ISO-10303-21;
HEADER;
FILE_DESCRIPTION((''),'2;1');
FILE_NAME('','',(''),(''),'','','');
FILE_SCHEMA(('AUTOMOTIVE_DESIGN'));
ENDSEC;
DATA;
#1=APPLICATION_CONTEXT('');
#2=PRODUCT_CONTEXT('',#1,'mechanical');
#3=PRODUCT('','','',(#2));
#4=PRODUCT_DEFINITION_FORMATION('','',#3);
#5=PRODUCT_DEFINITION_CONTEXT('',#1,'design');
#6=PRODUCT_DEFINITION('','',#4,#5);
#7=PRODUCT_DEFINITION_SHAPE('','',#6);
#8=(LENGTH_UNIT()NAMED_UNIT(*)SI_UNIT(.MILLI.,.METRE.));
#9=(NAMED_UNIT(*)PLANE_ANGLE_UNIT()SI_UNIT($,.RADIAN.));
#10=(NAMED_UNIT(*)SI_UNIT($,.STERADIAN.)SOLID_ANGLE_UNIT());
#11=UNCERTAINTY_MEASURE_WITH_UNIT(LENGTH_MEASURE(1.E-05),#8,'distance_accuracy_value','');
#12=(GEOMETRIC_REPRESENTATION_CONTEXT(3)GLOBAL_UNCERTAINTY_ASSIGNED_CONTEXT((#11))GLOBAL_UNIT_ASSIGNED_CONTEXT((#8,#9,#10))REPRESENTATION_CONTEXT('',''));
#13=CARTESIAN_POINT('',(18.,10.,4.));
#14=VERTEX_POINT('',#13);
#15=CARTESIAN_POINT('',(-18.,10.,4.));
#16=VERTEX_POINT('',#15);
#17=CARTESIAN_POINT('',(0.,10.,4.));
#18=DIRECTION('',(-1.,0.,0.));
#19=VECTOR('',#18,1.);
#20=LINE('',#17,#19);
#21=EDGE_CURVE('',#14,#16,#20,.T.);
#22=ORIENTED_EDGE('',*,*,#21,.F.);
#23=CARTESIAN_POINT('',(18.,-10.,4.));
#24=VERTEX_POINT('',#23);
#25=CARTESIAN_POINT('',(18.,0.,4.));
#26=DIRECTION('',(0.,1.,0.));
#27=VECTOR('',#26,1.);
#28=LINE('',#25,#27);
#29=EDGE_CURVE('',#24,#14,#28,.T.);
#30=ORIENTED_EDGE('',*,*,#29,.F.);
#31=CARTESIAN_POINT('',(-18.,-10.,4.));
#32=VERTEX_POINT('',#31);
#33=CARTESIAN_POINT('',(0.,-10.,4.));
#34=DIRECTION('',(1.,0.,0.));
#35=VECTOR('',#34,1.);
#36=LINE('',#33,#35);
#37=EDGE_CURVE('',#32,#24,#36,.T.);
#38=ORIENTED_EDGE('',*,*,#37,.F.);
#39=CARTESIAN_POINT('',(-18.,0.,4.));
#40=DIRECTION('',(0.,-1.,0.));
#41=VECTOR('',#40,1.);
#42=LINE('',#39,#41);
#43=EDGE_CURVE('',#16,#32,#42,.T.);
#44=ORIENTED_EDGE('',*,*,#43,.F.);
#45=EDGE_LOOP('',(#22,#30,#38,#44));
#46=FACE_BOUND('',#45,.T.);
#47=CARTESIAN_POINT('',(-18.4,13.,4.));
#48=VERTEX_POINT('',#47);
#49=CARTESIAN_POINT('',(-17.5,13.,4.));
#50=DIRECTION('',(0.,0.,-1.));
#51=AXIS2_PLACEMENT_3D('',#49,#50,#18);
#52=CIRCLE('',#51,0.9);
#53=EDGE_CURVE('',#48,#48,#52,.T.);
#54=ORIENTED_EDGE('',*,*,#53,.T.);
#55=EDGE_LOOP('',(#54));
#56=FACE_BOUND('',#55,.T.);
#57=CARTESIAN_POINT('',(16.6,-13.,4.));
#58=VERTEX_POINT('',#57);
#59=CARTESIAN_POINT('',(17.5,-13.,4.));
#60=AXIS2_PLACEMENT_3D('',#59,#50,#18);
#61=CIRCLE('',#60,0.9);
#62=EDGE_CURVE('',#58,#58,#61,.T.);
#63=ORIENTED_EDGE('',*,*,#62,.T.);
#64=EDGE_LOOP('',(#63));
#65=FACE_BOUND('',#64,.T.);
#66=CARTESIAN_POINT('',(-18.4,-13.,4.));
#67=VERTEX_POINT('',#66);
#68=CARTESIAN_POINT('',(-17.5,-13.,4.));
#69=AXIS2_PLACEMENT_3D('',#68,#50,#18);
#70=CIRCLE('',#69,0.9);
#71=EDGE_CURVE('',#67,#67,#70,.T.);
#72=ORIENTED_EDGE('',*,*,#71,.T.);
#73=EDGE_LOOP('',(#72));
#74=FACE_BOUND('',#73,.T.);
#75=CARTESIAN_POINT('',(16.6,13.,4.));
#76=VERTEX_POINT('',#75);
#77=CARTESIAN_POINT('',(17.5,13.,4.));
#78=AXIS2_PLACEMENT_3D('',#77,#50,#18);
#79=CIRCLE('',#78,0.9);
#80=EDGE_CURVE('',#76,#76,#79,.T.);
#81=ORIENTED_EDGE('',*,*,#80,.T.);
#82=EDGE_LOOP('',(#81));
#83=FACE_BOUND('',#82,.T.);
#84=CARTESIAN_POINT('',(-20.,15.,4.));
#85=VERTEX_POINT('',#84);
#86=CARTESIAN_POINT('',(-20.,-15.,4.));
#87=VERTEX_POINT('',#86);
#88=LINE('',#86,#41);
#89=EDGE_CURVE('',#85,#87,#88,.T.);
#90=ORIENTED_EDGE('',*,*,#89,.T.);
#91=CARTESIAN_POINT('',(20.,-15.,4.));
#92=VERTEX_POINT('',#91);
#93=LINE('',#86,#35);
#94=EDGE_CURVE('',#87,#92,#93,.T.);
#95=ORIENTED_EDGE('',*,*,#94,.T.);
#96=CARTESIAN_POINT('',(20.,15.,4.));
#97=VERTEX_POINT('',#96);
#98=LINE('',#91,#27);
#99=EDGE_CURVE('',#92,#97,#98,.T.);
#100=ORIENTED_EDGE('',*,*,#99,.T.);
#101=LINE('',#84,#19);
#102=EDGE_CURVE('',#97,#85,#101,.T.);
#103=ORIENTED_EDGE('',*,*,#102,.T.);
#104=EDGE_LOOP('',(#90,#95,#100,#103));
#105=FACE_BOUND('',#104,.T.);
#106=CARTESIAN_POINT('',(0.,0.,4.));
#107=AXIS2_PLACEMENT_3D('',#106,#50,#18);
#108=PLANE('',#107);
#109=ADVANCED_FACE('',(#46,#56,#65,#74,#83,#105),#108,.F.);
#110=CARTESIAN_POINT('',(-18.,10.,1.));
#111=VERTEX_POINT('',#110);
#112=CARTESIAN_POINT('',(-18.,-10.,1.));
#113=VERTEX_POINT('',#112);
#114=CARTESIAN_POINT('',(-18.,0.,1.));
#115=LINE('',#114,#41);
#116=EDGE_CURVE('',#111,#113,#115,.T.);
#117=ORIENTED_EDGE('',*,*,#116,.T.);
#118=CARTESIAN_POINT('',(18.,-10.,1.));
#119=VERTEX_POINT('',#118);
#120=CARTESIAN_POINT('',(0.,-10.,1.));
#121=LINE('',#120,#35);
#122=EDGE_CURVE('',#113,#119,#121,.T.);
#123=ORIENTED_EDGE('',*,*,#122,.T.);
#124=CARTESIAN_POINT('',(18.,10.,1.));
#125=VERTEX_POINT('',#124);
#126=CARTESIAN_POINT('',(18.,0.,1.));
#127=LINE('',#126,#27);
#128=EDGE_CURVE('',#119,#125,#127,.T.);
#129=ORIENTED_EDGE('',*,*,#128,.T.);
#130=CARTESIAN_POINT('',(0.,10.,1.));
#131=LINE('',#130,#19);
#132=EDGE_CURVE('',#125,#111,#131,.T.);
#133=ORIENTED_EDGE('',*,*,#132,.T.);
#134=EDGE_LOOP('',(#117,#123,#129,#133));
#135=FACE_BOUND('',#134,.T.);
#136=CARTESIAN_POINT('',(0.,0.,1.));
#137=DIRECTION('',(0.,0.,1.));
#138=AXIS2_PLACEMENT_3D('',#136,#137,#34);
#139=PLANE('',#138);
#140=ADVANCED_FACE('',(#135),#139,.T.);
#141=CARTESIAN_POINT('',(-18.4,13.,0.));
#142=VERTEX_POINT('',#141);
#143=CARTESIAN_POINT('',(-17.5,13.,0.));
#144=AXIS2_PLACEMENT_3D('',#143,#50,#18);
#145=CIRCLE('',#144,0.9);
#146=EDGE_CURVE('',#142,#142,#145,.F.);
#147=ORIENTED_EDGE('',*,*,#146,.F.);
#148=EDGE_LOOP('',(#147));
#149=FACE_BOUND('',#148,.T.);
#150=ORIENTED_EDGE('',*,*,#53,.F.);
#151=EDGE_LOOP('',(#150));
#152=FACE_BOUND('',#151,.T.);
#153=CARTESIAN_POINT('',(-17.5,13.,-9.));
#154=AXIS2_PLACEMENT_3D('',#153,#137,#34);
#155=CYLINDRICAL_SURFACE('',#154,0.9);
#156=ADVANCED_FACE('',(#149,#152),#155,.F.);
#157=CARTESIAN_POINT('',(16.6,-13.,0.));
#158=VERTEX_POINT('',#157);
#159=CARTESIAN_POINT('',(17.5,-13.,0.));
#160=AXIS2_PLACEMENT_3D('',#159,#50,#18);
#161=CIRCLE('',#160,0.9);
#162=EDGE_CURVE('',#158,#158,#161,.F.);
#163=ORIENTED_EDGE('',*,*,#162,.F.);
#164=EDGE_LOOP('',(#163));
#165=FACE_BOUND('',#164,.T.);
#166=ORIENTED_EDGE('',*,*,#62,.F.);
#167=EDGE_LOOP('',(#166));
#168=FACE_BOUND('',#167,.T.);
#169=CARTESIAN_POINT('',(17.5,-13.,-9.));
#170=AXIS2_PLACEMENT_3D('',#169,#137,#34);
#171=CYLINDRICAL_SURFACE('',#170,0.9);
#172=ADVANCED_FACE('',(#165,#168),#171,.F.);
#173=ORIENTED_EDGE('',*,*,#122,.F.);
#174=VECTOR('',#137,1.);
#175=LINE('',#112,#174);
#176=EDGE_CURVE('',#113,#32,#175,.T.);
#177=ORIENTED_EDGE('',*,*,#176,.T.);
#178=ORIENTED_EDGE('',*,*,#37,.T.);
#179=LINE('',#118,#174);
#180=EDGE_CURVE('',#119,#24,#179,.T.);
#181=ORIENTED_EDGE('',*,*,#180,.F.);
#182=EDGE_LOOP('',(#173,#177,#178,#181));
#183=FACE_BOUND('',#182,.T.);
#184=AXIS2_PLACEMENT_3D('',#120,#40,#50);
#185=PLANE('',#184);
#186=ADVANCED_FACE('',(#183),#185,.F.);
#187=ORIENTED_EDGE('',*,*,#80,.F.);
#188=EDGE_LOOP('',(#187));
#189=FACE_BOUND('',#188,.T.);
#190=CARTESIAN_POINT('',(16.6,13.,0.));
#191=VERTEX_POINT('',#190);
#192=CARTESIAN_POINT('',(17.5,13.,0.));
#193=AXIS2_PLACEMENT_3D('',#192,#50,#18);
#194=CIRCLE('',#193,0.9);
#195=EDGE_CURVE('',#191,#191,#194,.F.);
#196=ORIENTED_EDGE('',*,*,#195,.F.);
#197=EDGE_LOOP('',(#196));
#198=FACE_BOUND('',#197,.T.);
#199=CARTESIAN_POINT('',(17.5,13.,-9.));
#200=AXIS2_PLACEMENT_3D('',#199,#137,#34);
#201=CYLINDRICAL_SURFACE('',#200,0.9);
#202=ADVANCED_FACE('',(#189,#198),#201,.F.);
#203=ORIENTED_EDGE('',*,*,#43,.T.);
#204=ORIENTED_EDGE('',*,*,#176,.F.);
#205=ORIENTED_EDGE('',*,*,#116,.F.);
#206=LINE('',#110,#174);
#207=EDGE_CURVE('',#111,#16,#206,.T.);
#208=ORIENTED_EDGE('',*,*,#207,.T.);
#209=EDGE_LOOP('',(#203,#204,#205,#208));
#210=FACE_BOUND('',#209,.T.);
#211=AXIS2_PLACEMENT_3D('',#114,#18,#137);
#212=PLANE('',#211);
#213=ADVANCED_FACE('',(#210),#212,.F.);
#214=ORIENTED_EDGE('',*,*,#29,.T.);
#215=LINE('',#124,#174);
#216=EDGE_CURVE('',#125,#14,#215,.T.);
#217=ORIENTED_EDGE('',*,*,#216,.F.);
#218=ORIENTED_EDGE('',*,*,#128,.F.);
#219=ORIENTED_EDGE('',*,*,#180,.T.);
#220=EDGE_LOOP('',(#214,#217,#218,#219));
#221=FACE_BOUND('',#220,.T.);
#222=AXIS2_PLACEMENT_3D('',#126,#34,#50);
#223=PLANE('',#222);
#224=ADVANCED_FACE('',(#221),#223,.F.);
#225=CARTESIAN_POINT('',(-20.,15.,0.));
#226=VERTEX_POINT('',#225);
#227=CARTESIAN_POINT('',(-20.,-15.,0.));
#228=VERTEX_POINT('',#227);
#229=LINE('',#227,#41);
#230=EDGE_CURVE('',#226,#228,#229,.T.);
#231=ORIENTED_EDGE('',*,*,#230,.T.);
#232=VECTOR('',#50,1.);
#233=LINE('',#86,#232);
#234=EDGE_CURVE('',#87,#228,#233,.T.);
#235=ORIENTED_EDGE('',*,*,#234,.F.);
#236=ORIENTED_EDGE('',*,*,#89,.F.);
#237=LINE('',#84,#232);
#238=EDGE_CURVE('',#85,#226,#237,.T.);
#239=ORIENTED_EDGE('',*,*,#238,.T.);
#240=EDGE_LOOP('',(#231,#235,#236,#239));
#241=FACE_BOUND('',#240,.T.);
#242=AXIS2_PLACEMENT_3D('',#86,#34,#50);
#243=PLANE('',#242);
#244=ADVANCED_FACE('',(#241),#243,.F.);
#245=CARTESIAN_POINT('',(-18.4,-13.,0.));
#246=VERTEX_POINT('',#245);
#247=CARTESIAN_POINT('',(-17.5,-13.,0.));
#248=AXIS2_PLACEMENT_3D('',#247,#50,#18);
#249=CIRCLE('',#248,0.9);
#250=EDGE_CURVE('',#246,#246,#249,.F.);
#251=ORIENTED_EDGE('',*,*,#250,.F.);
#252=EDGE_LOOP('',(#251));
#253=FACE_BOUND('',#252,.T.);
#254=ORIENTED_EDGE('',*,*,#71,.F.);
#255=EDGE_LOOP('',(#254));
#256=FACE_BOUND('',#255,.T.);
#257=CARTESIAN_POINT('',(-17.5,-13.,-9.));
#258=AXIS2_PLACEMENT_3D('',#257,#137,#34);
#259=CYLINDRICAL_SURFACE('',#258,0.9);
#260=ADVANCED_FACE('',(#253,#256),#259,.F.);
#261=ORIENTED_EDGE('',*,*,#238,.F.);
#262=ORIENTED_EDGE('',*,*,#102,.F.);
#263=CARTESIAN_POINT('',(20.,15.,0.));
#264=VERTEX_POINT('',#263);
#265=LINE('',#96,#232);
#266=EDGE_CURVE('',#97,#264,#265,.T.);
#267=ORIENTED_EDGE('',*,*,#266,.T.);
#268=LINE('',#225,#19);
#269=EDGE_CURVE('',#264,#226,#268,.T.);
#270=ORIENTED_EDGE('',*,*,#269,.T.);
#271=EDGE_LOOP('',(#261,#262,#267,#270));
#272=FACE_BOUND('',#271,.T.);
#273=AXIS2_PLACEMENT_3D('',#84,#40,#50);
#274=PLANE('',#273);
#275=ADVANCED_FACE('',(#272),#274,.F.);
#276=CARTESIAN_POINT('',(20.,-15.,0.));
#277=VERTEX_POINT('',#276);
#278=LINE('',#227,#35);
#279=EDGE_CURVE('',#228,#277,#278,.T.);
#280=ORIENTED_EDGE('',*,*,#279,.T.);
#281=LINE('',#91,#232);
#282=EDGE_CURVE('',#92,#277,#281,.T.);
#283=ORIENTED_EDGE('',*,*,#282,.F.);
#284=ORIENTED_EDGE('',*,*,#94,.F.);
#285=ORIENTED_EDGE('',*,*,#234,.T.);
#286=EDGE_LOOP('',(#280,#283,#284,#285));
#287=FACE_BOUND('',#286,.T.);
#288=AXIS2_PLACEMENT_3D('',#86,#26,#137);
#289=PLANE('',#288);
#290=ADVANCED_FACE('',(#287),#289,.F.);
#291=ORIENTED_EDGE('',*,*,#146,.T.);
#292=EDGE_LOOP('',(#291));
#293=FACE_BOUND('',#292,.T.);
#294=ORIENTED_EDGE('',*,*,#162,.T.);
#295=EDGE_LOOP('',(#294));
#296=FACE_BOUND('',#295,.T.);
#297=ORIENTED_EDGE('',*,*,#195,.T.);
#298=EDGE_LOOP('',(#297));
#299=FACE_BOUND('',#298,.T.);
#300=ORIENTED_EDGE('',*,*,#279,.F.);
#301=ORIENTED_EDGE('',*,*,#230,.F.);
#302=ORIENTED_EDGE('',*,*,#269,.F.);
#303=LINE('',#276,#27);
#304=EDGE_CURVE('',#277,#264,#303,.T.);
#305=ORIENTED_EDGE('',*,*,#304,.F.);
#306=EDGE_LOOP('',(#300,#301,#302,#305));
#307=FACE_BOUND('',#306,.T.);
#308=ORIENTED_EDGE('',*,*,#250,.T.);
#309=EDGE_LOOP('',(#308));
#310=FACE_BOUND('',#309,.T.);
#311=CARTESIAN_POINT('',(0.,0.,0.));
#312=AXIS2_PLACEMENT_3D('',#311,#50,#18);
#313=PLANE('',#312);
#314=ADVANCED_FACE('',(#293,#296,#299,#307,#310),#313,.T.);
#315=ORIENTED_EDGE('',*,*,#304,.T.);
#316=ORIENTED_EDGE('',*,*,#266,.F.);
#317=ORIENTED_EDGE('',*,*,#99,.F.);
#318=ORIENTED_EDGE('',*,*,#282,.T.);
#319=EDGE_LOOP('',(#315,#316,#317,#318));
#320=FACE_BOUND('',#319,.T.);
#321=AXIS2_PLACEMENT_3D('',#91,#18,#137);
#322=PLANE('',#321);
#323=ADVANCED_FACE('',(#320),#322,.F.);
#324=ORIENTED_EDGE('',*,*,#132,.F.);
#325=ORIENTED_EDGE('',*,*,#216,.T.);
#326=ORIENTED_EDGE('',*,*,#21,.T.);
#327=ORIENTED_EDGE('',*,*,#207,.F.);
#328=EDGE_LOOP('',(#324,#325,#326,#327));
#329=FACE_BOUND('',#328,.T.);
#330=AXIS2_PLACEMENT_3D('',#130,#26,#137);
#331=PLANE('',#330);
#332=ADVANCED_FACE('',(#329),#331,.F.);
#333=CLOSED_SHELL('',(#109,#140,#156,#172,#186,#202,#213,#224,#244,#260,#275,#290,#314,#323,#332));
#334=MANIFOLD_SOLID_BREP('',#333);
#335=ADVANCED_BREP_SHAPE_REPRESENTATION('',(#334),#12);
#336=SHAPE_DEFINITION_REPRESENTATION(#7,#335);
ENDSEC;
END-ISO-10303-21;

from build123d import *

# Parameters (mm, degrees)
SKETCH1_W           = 40
SKETCH1_H           = 30
BOSS_EXTRUDE1_DEPTH = 4
CUT_EXTRUDE1_START  = 4
SKETCH2_W           = 36
SKETCH2_H           = 20
CUT_EXTRUDE1_DEPTH  = 3
CUT_EXTRUDE2_START  = 4
SKETCH3_R           = 0.9
CUT_EXTRUDE2_DEPTH  = 13


with BuildPart() as part:
    # Sketch1 → Boss-Extrude1 (new body)
    with BuildSketch(Plane.XY):
        Rectangle(SKETCH1_W, SKETCH1_H)
    extrude(amount=BOSS_EXTRUDE1_DEPTH)

    # Sketch2 → Cut-Extrude1 (cut)
    with BuildSketch(Plane.XY.offset(CUT_EXTRUDE1_START)):
        Rectangle(SKETCH2_W, SKETCH2_H)
    extrude(amount=-CUT_EXTRUDE1_DEPTH, mode=Mode.SUBTRACT)

    # Sketch3 → Cut-Extrude2 (cut)
    with BuildSketch(Plane.XY.offset(CUT_EXTRUDE2_START)):
        with Locations(Location((-17.5, 13, 0), (0, 0, 180))):
            Circle(SKETCH3_R)
        with Locations(Location((-17.5, -13, 0), (0, 0, 180))):
            Circle(SKETCH3_R)
        with Locations(Location((17.5, -13, 0), (0, 0, 180))):
            Circle(SKETCH3_R)
        with Locations(Location((17.5, 13, 0), (0, 0, 180))):
            Circle(SKETCH3_R)
    extrude(amount=-CUT_EXTRUDE2_DEPTH, mode=Mode.SUBTRACT)


solid = part.part
